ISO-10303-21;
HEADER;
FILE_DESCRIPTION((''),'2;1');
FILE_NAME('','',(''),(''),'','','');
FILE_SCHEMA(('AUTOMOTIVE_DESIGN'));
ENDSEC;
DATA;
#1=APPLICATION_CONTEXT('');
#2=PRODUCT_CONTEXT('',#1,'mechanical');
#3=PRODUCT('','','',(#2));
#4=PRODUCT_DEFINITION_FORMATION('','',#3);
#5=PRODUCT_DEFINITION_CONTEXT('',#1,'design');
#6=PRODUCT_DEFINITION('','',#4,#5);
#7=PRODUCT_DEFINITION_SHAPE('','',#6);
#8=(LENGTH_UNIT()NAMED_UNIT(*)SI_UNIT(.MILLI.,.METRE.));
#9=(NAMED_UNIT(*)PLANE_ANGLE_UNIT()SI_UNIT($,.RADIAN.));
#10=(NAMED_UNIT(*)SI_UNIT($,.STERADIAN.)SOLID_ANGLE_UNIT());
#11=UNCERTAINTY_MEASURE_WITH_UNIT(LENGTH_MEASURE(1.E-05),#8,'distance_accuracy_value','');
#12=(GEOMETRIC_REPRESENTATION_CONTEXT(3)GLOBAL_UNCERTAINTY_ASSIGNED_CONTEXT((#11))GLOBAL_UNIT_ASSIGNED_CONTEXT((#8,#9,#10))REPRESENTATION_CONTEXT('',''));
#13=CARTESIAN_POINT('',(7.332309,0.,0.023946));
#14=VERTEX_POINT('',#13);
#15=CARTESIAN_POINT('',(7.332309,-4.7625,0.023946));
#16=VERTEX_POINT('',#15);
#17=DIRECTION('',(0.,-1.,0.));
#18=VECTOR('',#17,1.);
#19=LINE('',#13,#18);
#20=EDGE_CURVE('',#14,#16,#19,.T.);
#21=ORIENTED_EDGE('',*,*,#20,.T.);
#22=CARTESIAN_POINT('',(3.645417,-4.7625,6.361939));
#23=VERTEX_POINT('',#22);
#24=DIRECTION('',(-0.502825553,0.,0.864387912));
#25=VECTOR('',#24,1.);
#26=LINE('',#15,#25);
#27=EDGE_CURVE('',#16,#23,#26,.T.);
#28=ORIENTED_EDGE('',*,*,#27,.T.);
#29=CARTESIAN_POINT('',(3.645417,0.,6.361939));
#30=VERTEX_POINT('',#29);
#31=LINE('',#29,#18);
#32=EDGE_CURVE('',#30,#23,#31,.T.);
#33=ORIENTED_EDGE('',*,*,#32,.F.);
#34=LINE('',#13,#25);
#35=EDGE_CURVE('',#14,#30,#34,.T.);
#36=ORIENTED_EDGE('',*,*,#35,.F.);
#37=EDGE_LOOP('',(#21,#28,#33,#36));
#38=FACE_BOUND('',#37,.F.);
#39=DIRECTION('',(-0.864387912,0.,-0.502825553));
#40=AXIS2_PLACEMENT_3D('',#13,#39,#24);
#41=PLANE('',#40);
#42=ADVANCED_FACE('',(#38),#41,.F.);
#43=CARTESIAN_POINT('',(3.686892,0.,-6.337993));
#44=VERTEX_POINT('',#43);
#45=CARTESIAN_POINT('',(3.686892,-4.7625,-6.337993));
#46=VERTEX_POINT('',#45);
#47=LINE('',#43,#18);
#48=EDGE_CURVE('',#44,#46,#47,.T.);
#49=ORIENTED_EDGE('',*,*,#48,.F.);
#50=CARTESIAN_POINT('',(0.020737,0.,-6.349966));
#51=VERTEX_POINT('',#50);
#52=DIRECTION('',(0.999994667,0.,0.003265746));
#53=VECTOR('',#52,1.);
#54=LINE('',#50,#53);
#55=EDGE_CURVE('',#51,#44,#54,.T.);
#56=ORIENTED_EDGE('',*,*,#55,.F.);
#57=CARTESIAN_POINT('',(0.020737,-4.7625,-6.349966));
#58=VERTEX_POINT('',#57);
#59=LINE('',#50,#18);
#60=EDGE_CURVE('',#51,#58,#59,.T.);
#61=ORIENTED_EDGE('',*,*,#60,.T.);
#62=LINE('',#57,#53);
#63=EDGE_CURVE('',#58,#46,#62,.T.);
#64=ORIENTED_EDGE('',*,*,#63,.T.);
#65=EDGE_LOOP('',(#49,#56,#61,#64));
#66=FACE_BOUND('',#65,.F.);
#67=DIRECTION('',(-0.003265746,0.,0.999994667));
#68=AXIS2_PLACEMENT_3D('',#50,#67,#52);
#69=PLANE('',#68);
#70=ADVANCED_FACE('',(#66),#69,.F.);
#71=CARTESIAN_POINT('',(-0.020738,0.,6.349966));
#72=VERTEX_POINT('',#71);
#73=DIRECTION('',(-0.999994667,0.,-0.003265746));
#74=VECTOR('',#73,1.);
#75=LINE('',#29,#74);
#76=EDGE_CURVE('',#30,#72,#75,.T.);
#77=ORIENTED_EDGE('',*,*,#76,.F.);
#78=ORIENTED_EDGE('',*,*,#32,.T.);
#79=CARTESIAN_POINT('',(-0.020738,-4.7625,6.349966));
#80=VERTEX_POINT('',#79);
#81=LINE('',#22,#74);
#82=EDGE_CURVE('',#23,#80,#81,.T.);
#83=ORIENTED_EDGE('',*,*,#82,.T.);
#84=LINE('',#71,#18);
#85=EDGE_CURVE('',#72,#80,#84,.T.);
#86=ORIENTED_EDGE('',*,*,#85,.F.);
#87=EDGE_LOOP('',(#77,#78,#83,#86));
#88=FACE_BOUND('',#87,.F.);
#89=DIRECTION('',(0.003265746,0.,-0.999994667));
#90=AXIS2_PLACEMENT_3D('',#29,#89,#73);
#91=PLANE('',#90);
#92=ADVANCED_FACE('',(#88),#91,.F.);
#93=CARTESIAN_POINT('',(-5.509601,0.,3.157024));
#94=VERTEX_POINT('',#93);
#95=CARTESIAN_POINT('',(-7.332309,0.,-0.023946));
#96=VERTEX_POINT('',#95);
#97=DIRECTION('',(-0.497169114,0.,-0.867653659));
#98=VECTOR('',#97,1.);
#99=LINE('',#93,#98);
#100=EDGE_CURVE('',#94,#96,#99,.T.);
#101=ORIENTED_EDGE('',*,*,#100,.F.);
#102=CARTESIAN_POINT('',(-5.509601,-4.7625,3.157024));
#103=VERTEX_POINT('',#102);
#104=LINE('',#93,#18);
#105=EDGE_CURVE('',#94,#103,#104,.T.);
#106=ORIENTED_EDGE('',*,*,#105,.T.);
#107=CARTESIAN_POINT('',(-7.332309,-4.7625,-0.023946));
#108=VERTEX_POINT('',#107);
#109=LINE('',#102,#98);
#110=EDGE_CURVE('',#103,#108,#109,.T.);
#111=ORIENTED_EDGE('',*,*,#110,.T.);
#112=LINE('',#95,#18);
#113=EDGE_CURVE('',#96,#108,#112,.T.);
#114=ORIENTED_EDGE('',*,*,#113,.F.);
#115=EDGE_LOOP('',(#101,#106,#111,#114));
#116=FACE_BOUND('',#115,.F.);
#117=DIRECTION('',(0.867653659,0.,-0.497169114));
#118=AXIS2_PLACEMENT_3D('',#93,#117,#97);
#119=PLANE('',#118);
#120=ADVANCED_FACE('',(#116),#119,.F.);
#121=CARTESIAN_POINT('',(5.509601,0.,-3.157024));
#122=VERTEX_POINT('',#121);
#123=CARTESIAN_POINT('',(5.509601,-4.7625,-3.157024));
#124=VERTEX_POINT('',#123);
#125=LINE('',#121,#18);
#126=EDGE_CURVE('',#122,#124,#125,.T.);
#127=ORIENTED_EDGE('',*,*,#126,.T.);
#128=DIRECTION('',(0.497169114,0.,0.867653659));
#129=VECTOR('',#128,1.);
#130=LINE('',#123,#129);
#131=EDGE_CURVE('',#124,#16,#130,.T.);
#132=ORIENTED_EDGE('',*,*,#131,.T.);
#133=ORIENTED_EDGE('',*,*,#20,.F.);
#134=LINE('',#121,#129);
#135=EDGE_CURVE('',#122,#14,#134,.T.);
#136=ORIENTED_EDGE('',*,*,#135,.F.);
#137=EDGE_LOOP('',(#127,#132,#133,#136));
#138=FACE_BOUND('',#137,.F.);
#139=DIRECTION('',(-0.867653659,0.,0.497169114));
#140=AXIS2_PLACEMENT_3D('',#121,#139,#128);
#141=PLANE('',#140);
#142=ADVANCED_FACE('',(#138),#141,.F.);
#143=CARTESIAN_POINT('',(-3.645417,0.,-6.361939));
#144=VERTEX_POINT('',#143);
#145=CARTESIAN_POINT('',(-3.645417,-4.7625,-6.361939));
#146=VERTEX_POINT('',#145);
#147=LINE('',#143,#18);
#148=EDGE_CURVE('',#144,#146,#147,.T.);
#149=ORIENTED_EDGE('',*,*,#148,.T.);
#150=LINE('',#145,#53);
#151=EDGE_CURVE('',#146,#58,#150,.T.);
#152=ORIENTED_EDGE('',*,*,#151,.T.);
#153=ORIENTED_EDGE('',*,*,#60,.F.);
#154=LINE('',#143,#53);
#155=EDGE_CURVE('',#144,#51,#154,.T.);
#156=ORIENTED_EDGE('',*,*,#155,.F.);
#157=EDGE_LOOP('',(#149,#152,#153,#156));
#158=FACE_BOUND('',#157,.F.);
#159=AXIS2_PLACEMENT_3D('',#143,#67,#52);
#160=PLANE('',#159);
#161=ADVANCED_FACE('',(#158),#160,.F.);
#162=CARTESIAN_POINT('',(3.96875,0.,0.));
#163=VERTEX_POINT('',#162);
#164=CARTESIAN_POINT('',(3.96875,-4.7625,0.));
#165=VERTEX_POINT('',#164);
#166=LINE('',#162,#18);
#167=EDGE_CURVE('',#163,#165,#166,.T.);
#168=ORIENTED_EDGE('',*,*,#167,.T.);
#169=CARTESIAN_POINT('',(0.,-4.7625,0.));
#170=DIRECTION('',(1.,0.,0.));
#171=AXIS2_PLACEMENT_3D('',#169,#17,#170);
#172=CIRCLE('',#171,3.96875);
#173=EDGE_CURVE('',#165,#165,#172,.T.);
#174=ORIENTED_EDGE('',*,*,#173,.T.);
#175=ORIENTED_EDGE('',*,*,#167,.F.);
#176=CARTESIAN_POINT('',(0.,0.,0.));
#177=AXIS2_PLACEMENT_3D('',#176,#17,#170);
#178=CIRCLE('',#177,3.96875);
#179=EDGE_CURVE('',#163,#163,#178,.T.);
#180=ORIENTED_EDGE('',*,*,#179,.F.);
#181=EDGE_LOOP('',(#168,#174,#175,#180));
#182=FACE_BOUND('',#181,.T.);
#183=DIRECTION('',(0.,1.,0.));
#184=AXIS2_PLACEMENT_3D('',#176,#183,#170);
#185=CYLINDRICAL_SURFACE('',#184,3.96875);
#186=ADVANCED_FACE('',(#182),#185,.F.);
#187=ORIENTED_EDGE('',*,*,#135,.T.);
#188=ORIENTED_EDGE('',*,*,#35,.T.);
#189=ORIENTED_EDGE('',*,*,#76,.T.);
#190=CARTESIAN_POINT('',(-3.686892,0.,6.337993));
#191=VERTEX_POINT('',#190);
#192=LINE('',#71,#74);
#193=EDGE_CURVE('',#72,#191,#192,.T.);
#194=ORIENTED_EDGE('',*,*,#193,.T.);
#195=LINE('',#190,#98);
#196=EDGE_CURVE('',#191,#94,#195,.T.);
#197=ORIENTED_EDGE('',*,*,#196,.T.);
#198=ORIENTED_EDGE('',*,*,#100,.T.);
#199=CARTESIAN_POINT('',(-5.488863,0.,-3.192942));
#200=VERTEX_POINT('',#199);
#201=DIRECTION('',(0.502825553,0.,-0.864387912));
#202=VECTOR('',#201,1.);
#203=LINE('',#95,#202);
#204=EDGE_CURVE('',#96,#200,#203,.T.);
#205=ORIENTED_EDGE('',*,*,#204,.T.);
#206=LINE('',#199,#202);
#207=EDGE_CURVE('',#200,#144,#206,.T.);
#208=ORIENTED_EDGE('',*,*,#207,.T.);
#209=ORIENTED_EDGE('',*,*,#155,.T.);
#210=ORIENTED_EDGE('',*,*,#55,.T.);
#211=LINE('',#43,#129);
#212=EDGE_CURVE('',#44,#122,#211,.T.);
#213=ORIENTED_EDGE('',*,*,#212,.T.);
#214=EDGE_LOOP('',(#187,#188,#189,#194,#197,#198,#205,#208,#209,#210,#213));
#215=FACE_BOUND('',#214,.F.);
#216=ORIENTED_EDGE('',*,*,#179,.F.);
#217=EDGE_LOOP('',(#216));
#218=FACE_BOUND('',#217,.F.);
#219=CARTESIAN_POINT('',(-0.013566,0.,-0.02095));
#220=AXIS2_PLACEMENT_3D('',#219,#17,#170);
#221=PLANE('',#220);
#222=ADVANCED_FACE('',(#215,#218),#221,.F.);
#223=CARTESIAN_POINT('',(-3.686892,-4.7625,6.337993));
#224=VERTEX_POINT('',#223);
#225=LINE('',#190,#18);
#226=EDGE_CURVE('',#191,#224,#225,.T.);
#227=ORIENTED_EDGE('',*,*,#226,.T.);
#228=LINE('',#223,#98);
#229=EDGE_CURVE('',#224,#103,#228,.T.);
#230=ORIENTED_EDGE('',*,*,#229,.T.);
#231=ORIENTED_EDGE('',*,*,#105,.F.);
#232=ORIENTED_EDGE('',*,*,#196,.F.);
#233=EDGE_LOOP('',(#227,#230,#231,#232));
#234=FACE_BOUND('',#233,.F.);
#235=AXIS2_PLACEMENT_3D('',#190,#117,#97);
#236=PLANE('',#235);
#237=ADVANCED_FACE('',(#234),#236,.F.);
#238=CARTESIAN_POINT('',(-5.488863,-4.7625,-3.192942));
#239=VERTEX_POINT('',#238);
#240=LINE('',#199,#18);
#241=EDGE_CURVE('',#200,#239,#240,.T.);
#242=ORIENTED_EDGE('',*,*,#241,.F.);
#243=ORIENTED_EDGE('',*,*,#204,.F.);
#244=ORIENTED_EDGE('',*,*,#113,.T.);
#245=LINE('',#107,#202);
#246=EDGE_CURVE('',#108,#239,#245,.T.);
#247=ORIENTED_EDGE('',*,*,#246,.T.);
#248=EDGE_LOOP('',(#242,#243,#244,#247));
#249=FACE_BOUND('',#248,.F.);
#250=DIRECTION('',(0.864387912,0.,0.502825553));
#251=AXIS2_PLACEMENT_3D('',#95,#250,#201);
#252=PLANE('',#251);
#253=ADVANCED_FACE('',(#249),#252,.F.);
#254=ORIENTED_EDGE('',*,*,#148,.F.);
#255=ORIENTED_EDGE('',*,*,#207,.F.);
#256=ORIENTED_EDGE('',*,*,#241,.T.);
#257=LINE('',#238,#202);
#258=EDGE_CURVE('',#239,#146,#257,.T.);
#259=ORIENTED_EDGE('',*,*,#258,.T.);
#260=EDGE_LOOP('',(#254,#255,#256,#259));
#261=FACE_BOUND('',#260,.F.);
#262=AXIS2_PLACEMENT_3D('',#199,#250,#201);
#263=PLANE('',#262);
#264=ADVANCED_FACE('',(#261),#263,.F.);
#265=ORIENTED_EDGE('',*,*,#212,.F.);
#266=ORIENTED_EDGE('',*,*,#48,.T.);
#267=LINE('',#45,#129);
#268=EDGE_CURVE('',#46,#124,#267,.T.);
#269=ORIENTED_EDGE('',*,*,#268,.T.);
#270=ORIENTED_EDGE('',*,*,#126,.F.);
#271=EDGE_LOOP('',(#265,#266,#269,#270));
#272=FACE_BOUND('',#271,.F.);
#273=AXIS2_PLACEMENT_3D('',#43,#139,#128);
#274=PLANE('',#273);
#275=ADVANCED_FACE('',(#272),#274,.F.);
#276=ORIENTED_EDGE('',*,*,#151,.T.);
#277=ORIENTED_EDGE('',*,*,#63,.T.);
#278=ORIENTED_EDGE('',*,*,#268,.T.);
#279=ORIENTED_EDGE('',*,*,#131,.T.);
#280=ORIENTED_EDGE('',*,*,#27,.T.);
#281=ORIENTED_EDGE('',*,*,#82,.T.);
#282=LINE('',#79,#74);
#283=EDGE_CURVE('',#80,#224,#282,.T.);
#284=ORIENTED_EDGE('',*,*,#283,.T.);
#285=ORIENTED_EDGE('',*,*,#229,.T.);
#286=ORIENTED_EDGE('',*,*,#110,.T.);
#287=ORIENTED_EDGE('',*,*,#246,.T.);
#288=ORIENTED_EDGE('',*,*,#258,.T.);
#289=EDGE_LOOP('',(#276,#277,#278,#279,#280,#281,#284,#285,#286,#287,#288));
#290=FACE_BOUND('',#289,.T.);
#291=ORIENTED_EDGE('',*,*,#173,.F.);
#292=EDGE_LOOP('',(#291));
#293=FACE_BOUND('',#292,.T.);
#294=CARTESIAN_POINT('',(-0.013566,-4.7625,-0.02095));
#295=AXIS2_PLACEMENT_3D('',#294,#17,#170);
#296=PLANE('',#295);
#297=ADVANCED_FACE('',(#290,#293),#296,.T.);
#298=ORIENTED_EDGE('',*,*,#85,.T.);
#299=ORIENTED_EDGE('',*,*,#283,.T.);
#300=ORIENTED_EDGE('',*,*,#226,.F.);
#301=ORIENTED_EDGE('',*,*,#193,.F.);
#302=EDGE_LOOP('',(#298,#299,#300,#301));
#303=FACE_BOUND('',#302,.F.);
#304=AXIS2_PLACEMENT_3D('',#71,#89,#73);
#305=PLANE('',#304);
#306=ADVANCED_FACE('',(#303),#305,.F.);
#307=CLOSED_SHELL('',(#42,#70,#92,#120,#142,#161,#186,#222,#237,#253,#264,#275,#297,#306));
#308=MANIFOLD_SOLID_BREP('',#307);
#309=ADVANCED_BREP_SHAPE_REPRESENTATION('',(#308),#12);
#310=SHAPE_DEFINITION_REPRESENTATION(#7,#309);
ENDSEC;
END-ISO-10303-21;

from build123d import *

# Parameters (mm, degrees)
F0_R     = 3.96875
F1_DEPTH = 4.7625


with BuildPart() as f1:
    # F0 (on Front) → F1 (new body)
    with BuildSketch(Plane.XZ):
        with BuildLine():
            ThreePointArc((5.5096007047, -3.1570239268), (6.1363044447, -1.6334833218), (6.35, 0))
            ThreePointArc((6.35, 0), (6.1309371935, 1.6535141757), (5.4888632664, 3.1929422235))
            ThreePointArc((5.4888632664, 3.1929422235), (3.1570238869, 5.5096007276), (-0.0207375096, 6.3499661382))
            ThreePointArc((-0.0207375096, 6.3499661382), (-3.1929422935, 5.4888632257), (-5.5096007601, 3.1570238302))
            ThreePointArc((-5.5096007601, 3.1570238302), (-6.3499661379, -0.0207375771), (-5.4888631828, -3.1929423673))
            ThreePointArc((-5.4888631828, -3.1929423673), (-3.1570238246, -5.5096007633), (0.020737487, -6.3499661382))
            ThreePointArc((0.020737487, -6.3499661382), (3.1929422356, -5.4888632594), (5.5096007047, -3.1570239268))
        make_face()
        Circle(F0_R, mode=Mode.SUBTRACT)
        with BuildLine():
            ThreePointArc((-5.5096007601, 3.1570238302), (-3.1929422935, 5.4888632257), (-0.0207375096, 6.3499661382))
            Line((-0.0207375096, 6.3499661382), (-3.6868921494, 6.3379933427))
            Line((-3.6868921494, 6.3379933427), (-5.5096007601, 3.1570238302))
        make_face()
        with BuildLine():
            ThreePointArc((-5.4888631828, -3.1929423673), (-6.3499661379, -0.0207375771), (-5.5096007601, 3.1570238302))
            Line((-5.5096007601, 3.1570238302), (-7.3323093185, -0.023945591))
            Line((-7.3323093185, -0.023945591), (-5.4888631828, -3.1929423673))
        make_face()
        with BuildLine():
            Line((-3.6454171691, -6.3619389337), (0.020737487, -6.3499661382))
            ThreePointArc((0.020737487, -6.3499661382), (-3.1570238246, -5.5096007633), (-5.4888631828, -3.1929423673))
            Line((-5.4888631828, -3.1929423673), (-3.6454171691, -6.3619389337))
        make_face()
        with BuildLine():
            Line((3.6868921494, -6.3379933427), (5.5096007047, -3.1570239268))
            ThreePointArc((5.5096007047, -3.1570239268), (3.1929422356, -5.4888632594), (0.020737487, -6.3499661382))
            Line((0.020737487, -6.3499661382), (3.6868921494, -6.3379933427))
        make_face()
        with BuildLine():
            ThreePointArc((5.4888632664, 3.1929422235), (6.1309371935, 1.6535141757), (6.35, 0))
            ThreePointArc((6.35, 0), (6.1363044447, -1.6334833218), (5.5096007047, -3.1570239268))
            Line((5.5096007047, -3.1570239268), (7.3323093185, 0.023945591))
            Line((7.3323093185, 0.023945591), (5.4888632664, 3.1929422235))
        make_face()
        with BuildLine():
            ThreePointArc((-0.0207375096, 6.3499661382), (3.1570238869, 5.5096007276), (5.4888632664, 3.1929422235))
            Line((5.4888632664, 3.1929422235), (3.6454171691, 6.3619389337))
            Line((3.6454171691, 6.3619389337), (-0.0207375096, 6.3499661382))
        make_face()
    extrude(amount=F1_DEPTH)


solid = f1.part
